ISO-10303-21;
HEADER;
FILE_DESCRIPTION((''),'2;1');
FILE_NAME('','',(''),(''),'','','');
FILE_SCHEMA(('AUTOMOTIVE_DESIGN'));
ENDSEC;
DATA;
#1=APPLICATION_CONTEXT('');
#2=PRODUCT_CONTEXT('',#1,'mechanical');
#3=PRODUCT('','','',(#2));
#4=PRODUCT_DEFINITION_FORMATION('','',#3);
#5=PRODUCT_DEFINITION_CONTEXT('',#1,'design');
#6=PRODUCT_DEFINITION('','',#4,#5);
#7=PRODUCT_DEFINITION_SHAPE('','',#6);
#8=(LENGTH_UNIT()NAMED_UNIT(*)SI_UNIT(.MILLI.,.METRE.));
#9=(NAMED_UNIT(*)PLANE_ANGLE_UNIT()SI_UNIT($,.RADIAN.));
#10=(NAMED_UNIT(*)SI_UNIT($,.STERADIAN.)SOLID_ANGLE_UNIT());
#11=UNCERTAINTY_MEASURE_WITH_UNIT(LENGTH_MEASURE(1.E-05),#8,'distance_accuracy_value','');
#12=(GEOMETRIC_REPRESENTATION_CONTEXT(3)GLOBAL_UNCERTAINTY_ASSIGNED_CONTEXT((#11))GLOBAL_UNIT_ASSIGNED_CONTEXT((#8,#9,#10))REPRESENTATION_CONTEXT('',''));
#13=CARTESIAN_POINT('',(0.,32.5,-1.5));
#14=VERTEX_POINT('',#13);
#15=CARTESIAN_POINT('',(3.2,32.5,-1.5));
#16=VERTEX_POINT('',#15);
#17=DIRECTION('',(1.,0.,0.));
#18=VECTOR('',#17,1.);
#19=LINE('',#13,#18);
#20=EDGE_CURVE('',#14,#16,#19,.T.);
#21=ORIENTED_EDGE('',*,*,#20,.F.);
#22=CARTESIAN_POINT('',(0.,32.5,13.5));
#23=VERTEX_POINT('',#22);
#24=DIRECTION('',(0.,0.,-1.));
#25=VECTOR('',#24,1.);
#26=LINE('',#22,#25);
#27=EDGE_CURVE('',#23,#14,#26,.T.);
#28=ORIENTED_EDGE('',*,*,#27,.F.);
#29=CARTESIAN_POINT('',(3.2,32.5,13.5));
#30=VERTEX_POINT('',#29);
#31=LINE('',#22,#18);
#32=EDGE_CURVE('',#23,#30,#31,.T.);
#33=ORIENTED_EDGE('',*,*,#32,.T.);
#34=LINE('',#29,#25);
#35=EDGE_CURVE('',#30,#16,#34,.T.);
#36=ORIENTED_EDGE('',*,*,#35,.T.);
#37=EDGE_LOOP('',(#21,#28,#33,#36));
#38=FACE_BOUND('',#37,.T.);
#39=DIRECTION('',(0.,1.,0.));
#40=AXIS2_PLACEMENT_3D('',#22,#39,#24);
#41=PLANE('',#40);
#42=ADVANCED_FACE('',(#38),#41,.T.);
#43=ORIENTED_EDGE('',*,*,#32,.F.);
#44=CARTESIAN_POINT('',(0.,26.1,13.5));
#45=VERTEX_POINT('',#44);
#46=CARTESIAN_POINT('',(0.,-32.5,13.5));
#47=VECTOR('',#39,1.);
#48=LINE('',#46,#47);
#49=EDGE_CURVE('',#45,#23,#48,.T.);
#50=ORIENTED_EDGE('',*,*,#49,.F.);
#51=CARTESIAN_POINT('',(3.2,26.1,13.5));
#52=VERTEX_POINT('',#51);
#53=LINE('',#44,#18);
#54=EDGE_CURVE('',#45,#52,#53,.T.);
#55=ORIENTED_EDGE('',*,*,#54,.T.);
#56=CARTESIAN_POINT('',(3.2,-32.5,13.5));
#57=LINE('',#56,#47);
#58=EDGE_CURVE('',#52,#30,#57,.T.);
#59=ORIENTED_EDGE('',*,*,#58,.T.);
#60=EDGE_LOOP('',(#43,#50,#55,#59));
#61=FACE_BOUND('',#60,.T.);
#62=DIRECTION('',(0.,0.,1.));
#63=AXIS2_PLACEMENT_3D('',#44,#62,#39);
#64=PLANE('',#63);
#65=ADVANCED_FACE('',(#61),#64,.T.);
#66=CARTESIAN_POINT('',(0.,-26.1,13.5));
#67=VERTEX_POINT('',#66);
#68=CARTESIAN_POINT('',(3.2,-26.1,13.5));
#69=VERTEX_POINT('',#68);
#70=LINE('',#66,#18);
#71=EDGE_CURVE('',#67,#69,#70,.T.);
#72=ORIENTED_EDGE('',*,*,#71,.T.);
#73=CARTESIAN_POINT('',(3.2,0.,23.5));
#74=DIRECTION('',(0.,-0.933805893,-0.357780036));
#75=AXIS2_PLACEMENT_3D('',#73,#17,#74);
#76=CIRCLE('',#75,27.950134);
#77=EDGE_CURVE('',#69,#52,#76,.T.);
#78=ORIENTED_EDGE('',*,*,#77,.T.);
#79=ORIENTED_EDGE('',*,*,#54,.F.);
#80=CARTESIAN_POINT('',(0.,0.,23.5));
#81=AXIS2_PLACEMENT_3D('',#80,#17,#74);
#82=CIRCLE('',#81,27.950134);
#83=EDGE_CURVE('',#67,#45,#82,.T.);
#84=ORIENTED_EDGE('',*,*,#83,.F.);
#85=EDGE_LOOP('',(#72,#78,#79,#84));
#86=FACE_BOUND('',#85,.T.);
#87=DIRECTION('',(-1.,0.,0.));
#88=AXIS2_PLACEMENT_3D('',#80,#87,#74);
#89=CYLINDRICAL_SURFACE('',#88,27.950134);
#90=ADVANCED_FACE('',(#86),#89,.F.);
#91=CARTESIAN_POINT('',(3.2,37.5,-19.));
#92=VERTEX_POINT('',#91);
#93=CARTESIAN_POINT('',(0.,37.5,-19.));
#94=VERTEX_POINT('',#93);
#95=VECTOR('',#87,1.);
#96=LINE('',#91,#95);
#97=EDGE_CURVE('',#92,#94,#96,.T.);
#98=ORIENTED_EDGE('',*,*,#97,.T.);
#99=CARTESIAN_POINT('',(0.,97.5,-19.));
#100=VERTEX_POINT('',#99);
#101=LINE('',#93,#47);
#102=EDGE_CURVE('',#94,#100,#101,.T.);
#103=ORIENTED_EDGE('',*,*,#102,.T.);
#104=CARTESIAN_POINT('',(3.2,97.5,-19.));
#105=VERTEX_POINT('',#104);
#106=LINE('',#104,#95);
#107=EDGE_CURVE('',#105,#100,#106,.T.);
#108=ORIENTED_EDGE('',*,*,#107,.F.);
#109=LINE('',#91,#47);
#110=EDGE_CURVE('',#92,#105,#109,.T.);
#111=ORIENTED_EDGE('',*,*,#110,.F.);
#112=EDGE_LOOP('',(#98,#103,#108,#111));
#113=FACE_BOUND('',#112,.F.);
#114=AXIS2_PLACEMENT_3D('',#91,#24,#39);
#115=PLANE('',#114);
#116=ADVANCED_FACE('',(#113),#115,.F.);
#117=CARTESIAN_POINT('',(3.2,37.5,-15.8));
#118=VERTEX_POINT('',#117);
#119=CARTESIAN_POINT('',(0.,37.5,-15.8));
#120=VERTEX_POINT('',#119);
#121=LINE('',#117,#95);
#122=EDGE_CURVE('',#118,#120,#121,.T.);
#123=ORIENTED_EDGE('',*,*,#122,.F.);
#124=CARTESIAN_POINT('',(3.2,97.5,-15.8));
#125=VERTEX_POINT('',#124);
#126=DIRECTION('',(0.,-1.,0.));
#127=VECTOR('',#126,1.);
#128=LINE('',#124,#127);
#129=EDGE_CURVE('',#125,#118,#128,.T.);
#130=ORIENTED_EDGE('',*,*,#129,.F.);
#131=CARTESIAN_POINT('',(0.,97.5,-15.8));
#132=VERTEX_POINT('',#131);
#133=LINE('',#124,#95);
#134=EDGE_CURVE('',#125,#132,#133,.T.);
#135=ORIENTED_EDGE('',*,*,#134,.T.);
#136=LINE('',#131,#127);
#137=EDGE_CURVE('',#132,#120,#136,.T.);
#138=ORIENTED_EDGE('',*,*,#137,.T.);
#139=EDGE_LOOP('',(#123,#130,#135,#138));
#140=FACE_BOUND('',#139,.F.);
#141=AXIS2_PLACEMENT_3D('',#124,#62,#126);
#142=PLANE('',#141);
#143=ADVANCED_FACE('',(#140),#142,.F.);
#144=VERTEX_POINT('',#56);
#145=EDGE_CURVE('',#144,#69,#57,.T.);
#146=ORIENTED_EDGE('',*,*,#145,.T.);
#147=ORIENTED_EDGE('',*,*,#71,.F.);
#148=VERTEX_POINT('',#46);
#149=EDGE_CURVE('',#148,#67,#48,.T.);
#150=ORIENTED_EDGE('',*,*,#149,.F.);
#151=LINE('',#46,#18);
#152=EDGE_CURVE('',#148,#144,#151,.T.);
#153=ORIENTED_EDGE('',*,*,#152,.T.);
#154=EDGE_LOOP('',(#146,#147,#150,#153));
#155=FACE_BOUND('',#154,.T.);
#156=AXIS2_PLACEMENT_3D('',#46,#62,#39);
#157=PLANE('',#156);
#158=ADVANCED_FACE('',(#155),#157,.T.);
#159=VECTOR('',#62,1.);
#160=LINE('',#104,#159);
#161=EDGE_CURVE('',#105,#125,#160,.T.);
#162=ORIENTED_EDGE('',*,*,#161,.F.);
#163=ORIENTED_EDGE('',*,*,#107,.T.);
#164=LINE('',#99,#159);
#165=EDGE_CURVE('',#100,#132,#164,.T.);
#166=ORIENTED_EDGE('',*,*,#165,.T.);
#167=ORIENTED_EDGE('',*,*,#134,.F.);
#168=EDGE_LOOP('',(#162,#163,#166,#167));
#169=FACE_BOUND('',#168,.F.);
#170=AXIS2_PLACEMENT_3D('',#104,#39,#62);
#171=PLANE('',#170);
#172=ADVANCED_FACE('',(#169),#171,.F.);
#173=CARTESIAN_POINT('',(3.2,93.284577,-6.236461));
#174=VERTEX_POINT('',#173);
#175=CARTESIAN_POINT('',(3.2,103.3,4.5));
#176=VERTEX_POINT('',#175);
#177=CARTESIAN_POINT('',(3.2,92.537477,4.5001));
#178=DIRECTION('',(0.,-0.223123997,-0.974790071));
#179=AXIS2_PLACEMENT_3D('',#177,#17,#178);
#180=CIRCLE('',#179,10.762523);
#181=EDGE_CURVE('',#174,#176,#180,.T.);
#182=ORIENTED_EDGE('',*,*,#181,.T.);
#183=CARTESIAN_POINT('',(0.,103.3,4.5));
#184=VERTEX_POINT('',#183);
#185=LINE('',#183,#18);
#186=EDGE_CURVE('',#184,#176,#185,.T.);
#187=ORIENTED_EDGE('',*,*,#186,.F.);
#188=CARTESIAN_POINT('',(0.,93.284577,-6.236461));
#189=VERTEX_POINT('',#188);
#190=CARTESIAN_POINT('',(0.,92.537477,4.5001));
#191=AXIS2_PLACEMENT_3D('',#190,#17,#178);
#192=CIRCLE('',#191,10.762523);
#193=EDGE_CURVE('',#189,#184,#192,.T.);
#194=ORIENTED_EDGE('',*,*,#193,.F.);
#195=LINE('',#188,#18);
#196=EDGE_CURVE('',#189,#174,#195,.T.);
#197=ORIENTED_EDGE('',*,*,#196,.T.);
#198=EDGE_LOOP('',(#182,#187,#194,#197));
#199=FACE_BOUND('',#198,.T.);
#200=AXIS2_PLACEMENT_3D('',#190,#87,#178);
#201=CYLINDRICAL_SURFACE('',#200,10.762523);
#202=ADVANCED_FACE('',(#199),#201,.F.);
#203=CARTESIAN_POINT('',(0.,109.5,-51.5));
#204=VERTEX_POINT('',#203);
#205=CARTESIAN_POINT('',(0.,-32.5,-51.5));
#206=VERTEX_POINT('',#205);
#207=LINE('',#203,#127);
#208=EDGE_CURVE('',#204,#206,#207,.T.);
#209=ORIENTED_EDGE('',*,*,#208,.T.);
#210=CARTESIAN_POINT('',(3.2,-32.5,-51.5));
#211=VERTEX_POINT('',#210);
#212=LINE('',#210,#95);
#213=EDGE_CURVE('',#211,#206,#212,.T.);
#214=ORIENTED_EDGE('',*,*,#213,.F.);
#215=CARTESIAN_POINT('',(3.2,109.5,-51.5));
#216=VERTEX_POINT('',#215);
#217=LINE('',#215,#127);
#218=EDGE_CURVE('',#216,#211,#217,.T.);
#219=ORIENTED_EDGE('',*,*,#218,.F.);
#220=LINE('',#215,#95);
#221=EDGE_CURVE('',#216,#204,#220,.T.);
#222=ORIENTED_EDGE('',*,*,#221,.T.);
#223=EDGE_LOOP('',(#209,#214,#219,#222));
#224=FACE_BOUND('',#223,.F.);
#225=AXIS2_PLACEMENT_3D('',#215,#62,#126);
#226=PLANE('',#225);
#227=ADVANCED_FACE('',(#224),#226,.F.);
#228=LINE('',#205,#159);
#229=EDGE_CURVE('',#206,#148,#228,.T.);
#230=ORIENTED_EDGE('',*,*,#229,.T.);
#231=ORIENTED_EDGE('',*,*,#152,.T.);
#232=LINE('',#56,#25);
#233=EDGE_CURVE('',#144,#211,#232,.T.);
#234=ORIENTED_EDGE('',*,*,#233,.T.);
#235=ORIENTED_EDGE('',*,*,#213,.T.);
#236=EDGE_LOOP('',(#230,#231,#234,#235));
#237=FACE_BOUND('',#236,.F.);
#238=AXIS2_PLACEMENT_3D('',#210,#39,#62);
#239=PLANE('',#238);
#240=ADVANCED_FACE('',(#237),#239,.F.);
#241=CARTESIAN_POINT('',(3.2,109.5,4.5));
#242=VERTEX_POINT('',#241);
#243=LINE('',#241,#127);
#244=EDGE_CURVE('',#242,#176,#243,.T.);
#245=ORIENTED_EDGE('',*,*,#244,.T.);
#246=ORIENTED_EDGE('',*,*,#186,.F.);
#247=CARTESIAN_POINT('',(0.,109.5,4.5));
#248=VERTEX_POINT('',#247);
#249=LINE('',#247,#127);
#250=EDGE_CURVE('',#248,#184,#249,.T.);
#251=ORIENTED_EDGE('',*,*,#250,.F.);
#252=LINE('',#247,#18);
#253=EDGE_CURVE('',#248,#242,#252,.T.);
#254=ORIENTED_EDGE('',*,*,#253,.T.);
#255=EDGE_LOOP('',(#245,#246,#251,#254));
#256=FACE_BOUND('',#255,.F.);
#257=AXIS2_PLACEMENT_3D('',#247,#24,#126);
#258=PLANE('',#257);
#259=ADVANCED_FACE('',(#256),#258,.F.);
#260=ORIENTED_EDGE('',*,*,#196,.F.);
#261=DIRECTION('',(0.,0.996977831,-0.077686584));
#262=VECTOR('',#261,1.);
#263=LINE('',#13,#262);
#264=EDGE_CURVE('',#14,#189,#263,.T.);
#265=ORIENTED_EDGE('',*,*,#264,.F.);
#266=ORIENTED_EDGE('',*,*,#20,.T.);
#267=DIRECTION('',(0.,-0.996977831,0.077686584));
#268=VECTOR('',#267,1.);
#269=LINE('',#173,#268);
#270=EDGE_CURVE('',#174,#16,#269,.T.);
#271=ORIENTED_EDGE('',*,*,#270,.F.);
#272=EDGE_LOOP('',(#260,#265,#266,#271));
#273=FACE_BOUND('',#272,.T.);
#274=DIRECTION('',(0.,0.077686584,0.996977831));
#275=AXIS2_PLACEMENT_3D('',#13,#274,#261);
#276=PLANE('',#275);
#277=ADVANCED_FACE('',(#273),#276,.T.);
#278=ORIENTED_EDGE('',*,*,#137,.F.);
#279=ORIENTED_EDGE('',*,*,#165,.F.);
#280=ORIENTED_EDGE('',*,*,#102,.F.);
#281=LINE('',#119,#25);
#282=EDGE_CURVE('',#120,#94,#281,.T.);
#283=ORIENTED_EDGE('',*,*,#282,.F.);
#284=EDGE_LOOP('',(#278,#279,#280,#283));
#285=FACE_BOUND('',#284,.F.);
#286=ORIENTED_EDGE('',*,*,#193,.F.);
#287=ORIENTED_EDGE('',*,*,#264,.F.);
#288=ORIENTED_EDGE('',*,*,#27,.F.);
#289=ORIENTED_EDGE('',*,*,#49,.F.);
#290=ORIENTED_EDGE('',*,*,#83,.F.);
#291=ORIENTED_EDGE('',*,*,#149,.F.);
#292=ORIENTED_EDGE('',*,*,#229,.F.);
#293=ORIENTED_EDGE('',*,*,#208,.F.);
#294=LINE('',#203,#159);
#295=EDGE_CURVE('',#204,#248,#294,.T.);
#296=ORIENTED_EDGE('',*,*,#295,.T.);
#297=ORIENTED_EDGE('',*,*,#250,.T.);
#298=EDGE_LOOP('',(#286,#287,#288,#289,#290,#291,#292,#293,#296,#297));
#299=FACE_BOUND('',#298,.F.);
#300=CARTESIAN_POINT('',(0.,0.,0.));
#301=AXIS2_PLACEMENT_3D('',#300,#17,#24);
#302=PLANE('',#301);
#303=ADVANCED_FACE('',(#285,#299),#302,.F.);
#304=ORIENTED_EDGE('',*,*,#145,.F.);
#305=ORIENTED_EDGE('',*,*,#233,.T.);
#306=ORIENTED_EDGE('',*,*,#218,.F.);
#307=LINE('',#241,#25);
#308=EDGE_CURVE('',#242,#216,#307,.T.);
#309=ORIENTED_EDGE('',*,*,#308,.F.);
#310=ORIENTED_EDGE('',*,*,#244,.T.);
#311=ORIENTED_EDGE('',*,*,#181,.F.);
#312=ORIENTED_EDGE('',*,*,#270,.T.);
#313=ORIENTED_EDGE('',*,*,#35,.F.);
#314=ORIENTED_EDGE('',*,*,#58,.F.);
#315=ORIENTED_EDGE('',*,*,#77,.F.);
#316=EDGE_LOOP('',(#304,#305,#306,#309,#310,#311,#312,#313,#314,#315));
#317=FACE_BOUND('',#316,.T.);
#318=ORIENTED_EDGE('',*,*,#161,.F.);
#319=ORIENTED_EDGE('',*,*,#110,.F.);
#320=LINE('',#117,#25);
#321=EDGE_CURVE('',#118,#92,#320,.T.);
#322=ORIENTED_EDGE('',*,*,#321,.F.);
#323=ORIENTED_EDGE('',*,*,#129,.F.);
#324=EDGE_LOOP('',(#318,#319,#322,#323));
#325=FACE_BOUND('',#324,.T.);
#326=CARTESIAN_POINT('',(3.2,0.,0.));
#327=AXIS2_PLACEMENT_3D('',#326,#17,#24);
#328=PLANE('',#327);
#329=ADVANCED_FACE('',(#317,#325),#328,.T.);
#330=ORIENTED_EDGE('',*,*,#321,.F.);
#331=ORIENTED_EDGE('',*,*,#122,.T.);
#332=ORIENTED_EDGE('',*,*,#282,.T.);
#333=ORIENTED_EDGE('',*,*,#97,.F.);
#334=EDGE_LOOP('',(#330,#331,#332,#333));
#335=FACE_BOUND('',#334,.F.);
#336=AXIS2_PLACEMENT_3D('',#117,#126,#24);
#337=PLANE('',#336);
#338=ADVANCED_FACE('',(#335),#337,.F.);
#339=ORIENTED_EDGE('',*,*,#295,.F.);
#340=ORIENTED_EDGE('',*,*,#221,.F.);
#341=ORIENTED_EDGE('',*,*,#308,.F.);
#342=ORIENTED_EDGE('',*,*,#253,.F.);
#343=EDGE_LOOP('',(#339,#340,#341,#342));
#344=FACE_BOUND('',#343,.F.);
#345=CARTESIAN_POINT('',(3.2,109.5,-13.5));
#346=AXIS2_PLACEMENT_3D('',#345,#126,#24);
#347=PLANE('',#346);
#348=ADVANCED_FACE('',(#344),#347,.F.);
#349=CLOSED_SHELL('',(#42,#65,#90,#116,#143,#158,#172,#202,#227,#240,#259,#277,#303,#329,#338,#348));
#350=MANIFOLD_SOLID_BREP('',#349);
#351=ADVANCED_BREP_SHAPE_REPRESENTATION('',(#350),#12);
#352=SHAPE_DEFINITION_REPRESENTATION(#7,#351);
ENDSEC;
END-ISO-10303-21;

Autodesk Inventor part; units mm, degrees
ref_plane "YZ Plane" through (0, 0, 0) normal (1, 0, 0) x (0, 1, 0)
ref_plane "XZ Plane" through (0, 0, 0) normal (0, 1, 0) x (-1, 0, 0)
ref_plane "XY Plane" through (0, 0, 0) normal (0, 0, 1) x (1, 0, 0)
sketch "Sketch1" plane through (0, 0, 0) normal (1, 0, 0) x (0, 1, 0)
  line L0 (-32.5, 13.5) -> (32.5, 13.5)
  line L1 (32.5, 13.5) -> (32.5, -13.5)
  line L2 (32.5, -13.5) -> (-32.5, -13.5)
  line L3 (-32.5, -13.5) -> (-32.5, 13.5)
  line L4 (-32.5, 13.5) -> (32.5, -13.5) construction
  line L5 (32.5, 13.5) -> (-32.5, -13.5) construction
  arc A0 (-26.1, 13.5) -> (26.1, 13.5) centre (0, 23.5) ccw
  line L6 (32.5, -13.5) -> (109.5, -13.5)
  line L7 (32.5, -1.5) -> (109.5, -7.5)
  line L8 (109.5, -7.5) -> (109.5, -13.5)
  line L9 (109.5, -7.5) -> (109.5, 4.5)
  line L10 (109.5, 4.5) -> (103.3, 4.5)
  arc A1 (90.1361, -5.9911) -> (103.3, 4.5) centre (92.5375, 4.5) ccw
  point P0 (0, 0)
  point P1 (0, 13.5)
  point P2 (32.5, -0.0243)
  point P3 (93.2849, -6.2365)
  dimension "d0" = 27
  dimension "d1" = 65
  dimension "d3" = 6.4
  dimension "d4" = 6.4
  dimension "d5" = 10
  dimension "d8" = 6
  dimension "d9" = 12
  dimension "d10" = 77
  dimension "d11" = 6.2
  dimension "d12" = 12
  dimension "d13" = 10.7625
extrude "Extrusion1" add sketch "Sketch1" along normal blind 3.2 contours L0 A0 L1 L2 L3 | L1 L7 A1 L8 L6 | L7 A1 | L7 A1 L10 L9
sketch "Sketch2" plane through (3.2, 0, 0) normal (1, 0, 0) x (0, 0, -1)
  line L0 (13.5, -32.5) -> (13.5, 109.5) projected
  line L1 (13.5, 109.5) -> (51.5, 109.5)
  line L2 (51.5, 109.5) -> (51.5, -32.5)
  line L3 (51.5, -32.5) -> (13.5, -32.5)
  line L4 (13.5, -32.5) -> (13.5, 109.5)
  line L5 (-13.5, -32.5) -> (13.5, -32.5) projected
  point P0 (0, 0)
  dimension "d14" = 38
extrude "Extrusion2" add sketch "Sketch2" against normal blind 3.2
sketch "Sketch3" plane through (3.2, 0, 0) normal (1, 0, 0) x (0, 0, -1)
  line L0 (1.5, 32.5) -> (-13.5, 32.5) construction
  line L1 (1.5, 32.5) -> (15.8, 32.5) construction
  line L2 (15.8, 37.5) -> (19, 37.5)
  line L3 (19, 37.5) -> (19, 97.5)
  line L4 (19, 97.5) -> (15.8, 97.5)
  line L5 (15.8, 97.5) -> (15.8, 37.5)
  line L6 (51.5, 109.5) -> (-4.5, 109.5) construction
  point P0 (0, 0)
  dimension "d17" = 14.3
  dimension "d18" = 3.2
  dimension "d19" = 60
  dimension "d21" = 12
extrude "Extrusion3" cut sketch "Sketch3" against normal blind 3.2
properties part number "SideSupports"
